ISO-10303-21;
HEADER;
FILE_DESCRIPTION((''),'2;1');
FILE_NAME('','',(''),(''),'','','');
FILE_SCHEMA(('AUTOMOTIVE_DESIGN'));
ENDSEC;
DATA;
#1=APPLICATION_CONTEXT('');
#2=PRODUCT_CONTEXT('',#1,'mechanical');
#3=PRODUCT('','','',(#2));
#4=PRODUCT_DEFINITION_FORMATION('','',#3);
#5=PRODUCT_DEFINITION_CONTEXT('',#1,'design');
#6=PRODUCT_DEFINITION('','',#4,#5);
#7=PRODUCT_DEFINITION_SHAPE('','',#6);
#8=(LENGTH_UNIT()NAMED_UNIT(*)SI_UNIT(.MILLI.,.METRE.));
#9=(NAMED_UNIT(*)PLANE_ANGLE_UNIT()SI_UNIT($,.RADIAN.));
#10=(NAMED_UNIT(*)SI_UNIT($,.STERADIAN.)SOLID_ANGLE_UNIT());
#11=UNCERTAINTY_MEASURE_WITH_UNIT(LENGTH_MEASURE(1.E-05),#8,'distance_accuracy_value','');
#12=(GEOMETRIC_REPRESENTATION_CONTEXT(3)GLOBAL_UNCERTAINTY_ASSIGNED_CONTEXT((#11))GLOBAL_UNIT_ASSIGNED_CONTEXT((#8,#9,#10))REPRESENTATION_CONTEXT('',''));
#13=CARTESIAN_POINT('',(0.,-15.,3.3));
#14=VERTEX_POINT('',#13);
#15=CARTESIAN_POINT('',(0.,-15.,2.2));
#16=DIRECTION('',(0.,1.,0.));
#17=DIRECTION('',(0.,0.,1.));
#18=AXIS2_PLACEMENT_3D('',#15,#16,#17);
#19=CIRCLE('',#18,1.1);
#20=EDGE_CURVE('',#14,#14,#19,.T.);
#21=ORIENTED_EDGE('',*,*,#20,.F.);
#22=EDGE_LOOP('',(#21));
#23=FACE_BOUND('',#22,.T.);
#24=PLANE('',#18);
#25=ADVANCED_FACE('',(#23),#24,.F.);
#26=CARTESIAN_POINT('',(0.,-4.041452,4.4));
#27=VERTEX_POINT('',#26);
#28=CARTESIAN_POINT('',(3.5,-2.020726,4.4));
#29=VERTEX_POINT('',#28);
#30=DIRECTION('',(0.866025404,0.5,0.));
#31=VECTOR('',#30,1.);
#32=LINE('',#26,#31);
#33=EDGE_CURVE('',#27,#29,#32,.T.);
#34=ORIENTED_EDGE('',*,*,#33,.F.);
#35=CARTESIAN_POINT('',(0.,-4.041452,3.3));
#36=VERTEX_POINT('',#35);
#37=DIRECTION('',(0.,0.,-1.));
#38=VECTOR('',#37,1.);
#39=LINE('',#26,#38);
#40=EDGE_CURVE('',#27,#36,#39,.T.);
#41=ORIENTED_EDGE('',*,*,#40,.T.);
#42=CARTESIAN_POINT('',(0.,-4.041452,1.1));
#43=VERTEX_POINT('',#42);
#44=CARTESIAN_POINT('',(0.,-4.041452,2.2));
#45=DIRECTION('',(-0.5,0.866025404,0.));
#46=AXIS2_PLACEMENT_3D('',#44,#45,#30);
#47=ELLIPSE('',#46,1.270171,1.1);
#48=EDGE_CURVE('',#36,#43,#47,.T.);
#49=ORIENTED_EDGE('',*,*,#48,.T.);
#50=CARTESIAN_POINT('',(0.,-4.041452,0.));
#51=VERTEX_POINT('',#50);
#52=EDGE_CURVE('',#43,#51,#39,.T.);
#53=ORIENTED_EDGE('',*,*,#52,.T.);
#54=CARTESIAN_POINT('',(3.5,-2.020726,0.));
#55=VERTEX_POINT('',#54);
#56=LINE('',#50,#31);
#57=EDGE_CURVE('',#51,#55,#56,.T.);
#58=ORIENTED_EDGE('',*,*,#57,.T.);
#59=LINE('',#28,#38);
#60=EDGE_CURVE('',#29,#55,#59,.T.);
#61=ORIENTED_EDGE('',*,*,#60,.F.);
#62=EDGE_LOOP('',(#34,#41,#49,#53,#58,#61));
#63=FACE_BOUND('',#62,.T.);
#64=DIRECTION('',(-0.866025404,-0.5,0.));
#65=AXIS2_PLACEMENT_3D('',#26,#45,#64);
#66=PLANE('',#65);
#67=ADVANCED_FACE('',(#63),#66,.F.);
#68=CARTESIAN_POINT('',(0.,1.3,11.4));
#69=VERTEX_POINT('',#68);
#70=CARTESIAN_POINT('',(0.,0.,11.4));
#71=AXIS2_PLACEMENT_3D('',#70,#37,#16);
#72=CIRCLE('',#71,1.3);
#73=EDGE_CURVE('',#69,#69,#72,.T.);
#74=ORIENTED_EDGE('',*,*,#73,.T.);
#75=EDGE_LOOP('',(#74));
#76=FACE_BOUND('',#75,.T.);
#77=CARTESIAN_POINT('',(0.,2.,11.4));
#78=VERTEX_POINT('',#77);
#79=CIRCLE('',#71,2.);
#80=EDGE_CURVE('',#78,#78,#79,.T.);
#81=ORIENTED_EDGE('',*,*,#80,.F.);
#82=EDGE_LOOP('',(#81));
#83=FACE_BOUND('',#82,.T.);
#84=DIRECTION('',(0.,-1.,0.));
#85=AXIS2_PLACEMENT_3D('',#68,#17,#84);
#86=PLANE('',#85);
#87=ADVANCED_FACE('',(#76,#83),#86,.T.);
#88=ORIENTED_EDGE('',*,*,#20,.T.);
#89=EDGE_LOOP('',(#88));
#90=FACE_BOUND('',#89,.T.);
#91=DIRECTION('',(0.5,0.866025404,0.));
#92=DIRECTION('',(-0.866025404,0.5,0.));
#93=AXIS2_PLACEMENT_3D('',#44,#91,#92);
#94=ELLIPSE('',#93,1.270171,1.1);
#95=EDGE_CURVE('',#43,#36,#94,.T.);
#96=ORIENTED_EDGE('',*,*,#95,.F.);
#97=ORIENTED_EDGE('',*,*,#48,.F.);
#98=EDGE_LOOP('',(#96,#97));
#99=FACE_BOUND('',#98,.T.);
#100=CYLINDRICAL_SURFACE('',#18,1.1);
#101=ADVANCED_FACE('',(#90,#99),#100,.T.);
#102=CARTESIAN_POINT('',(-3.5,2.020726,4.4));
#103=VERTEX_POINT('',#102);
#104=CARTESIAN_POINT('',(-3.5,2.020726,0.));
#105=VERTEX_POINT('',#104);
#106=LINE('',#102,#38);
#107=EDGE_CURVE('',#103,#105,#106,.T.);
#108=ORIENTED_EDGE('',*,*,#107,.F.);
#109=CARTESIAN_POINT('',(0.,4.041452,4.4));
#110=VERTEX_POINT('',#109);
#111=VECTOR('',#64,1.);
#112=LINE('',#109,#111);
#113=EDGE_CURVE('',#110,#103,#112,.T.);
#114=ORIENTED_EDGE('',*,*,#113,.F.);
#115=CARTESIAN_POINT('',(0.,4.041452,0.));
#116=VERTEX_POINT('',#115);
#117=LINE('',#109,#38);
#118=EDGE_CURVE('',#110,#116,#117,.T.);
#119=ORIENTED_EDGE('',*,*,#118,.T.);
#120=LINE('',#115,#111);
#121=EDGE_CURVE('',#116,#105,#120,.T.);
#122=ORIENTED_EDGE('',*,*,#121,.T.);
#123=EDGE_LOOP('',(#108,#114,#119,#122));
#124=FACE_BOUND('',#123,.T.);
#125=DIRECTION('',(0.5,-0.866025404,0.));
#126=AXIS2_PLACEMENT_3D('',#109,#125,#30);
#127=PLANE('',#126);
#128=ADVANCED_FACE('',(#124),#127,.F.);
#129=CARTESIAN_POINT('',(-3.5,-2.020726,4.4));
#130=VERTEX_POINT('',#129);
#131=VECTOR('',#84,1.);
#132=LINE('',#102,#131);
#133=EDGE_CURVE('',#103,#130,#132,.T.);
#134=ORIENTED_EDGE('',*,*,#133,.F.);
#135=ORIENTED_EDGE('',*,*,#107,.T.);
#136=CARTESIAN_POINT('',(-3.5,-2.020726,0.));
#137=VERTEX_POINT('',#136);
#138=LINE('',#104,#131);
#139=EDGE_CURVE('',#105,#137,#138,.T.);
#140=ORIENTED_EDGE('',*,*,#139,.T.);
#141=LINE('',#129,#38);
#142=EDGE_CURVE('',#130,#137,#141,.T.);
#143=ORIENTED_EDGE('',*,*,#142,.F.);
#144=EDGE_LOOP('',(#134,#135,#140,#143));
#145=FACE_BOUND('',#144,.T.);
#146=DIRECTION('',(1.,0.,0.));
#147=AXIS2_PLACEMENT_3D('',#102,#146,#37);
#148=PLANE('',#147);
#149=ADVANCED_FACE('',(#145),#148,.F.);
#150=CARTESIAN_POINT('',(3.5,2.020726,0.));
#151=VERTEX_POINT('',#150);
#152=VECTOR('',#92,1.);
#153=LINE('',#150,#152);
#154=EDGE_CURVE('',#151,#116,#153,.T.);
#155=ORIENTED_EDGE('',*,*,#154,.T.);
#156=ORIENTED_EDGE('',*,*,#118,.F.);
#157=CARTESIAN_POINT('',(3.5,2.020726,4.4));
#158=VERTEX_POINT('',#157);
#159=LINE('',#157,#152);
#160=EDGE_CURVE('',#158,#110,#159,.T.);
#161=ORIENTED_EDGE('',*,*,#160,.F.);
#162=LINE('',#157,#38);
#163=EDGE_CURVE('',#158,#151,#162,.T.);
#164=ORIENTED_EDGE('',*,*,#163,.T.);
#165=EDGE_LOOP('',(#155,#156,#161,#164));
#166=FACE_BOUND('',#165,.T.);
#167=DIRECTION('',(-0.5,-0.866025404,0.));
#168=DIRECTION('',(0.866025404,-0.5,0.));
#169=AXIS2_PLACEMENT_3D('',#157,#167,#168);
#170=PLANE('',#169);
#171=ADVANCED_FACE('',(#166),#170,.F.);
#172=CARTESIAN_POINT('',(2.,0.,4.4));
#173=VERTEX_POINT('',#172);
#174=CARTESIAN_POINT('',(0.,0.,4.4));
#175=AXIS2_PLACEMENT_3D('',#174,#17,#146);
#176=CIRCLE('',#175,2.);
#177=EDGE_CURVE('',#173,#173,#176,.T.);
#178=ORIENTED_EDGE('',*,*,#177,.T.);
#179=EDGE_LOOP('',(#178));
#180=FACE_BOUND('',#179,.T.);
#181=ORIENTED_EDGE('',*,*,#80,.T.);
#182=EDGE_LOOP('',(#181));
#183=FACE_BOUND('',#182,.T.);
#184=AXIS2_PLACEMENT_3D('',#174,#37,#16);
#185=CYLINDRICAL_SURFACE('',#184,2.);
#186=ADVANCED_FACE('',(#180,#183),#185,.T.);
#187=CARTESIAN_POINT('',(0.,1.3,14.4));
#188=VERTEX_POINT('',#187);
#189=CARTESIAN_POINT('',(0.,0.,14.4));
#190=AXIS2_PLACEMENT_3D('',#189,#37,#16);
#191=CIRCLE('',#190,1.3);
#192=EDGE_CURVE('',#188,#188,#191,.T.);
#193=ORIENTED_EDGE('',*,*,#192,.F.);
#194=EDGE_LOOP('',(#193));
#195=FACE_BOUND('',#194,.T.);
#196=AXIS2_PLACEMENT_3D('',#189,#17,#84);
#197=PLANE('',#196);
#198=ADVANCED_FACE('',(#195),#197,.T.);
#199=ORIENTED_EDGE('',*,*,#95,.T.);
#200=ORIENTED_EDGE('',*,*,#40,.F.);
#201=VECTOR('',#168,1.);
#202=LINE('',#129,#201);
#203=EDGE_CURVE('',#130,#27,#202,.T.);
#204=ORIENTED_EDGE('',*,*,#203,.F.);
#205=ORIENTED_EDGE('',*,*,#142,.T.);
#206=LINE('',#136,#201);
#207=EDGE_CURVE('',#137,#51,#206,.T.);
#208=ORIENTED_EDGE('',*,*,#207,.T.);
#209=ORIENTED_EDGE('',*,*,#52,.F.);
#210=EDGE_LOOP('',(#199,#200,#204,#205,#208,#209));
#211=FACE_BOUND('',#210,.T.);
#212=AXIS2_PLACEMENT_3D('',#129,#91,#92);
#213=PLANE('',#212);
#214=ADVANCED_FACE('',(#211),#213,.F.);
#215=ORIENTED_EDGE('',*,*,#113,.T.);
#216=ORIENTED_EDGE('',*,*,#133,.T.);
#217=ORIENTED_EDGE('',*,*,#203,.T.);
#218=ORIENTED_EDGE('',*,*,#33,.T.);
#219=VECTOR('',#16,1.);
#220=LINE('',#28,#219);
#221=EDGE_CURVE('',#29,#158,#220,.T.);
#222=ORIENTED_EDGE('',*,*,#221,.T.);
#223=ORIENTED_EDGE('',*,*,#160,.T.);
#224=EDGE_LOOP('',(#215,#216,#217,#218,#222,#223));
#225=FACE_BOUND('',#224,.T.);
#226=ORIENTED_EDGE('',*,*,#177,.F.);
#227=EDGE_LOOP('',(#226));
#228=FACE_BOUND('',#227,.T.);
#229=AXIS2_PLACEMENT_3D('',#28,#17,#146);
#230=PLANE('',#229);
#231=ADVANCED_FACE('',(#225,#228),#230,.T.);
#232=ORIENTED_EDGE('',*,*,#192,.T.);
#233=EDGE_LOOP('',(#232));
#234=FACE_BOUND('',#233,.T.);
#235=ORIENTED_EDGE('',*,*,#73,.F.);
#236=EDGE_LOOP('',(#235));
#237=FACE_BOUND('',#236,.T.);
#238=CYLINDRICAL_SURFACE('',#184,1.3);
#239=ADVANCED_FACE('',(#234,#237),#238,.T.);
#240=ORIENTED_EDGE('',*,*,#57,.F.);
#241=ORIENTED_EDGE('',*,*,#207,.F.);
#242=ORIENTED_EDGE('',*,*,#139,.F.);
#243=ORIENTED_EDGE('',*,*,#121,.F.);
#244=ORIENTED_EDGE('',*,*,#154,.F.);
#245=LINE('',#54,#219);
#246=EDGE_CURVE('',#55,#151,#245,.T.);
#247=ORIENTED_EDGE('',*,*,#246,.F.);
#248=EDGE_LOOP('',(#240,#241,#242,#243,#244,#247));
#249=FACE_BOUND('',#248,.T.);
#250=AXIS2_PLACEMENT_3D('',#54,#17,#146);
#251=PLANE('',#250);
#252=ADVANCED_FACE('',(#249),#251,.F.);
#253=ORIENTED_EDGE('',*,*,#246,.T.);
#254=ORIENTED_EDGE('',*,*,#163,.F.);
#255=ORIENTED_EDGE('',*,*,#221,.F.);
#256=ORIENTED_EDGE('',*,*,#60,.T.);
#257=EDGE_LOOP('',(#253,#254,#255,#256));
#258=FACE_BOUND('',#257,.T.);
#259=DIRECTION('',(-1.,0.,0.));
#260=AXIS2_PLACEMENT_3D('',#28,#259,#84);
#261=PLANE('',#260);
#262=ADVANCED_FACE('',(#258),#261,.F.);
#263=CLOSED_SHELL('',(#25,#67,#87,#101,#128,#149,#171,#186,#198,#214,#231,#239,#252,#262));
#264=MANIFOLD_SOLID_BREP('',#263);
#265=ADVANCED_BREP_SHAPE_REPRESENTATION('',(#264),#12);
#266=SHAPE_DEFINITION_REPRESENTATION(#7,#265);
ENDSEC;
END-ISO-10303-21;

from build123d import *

# Parameters (mm, degrees)
EXTRUDE1_DEPTH = 4.4
SKETCH3_R      = 1.1
EXTRUDE2_DEPTH = 15


with BuildPart() as part:
    # Sketch1 → Extrude1 (new body)
    with BuildSketch(Plane.XY):
        Polygon((3.5, -2.020725942), (3.5, 2.020725942), (0, 4.041451884), (-3.5, 2.020725942), (-3.5, -2.020725942), (0, -4.041451884), align=None)
    extrude(amount=EXTRUDE1_DEPTH)

    # Sketch2 → Revolve1 (revolve)
    with BuildSketch(Plane(origin=(0, 0, 0), x_dir=(0, 0, -1), z_dir=(1, 0, 0))):
        Polygon((-14.4, 0), (-14.4, 1.3), (-11.4, 1.3), (-11.4, 2), (-4.4, 2), (-4.4, 0), align=None)
    revolve(axis=Axis((0, 0, 4.4), (0, 0, 1)))

    # Sketch3 → Extrude2 (add)
    with BuildSketch(Plane(origin=(0, 0, 0), x_dir=(1, 0, 0), z_dir=(0, 1, 0))):
        with Locations(Location((0, -2.2, 0), (0, 0, 270))):
            Circle(SKETCH3_R)
    extrude(amount=-EXTRUDE2_DEPTH)


solid = part.part
